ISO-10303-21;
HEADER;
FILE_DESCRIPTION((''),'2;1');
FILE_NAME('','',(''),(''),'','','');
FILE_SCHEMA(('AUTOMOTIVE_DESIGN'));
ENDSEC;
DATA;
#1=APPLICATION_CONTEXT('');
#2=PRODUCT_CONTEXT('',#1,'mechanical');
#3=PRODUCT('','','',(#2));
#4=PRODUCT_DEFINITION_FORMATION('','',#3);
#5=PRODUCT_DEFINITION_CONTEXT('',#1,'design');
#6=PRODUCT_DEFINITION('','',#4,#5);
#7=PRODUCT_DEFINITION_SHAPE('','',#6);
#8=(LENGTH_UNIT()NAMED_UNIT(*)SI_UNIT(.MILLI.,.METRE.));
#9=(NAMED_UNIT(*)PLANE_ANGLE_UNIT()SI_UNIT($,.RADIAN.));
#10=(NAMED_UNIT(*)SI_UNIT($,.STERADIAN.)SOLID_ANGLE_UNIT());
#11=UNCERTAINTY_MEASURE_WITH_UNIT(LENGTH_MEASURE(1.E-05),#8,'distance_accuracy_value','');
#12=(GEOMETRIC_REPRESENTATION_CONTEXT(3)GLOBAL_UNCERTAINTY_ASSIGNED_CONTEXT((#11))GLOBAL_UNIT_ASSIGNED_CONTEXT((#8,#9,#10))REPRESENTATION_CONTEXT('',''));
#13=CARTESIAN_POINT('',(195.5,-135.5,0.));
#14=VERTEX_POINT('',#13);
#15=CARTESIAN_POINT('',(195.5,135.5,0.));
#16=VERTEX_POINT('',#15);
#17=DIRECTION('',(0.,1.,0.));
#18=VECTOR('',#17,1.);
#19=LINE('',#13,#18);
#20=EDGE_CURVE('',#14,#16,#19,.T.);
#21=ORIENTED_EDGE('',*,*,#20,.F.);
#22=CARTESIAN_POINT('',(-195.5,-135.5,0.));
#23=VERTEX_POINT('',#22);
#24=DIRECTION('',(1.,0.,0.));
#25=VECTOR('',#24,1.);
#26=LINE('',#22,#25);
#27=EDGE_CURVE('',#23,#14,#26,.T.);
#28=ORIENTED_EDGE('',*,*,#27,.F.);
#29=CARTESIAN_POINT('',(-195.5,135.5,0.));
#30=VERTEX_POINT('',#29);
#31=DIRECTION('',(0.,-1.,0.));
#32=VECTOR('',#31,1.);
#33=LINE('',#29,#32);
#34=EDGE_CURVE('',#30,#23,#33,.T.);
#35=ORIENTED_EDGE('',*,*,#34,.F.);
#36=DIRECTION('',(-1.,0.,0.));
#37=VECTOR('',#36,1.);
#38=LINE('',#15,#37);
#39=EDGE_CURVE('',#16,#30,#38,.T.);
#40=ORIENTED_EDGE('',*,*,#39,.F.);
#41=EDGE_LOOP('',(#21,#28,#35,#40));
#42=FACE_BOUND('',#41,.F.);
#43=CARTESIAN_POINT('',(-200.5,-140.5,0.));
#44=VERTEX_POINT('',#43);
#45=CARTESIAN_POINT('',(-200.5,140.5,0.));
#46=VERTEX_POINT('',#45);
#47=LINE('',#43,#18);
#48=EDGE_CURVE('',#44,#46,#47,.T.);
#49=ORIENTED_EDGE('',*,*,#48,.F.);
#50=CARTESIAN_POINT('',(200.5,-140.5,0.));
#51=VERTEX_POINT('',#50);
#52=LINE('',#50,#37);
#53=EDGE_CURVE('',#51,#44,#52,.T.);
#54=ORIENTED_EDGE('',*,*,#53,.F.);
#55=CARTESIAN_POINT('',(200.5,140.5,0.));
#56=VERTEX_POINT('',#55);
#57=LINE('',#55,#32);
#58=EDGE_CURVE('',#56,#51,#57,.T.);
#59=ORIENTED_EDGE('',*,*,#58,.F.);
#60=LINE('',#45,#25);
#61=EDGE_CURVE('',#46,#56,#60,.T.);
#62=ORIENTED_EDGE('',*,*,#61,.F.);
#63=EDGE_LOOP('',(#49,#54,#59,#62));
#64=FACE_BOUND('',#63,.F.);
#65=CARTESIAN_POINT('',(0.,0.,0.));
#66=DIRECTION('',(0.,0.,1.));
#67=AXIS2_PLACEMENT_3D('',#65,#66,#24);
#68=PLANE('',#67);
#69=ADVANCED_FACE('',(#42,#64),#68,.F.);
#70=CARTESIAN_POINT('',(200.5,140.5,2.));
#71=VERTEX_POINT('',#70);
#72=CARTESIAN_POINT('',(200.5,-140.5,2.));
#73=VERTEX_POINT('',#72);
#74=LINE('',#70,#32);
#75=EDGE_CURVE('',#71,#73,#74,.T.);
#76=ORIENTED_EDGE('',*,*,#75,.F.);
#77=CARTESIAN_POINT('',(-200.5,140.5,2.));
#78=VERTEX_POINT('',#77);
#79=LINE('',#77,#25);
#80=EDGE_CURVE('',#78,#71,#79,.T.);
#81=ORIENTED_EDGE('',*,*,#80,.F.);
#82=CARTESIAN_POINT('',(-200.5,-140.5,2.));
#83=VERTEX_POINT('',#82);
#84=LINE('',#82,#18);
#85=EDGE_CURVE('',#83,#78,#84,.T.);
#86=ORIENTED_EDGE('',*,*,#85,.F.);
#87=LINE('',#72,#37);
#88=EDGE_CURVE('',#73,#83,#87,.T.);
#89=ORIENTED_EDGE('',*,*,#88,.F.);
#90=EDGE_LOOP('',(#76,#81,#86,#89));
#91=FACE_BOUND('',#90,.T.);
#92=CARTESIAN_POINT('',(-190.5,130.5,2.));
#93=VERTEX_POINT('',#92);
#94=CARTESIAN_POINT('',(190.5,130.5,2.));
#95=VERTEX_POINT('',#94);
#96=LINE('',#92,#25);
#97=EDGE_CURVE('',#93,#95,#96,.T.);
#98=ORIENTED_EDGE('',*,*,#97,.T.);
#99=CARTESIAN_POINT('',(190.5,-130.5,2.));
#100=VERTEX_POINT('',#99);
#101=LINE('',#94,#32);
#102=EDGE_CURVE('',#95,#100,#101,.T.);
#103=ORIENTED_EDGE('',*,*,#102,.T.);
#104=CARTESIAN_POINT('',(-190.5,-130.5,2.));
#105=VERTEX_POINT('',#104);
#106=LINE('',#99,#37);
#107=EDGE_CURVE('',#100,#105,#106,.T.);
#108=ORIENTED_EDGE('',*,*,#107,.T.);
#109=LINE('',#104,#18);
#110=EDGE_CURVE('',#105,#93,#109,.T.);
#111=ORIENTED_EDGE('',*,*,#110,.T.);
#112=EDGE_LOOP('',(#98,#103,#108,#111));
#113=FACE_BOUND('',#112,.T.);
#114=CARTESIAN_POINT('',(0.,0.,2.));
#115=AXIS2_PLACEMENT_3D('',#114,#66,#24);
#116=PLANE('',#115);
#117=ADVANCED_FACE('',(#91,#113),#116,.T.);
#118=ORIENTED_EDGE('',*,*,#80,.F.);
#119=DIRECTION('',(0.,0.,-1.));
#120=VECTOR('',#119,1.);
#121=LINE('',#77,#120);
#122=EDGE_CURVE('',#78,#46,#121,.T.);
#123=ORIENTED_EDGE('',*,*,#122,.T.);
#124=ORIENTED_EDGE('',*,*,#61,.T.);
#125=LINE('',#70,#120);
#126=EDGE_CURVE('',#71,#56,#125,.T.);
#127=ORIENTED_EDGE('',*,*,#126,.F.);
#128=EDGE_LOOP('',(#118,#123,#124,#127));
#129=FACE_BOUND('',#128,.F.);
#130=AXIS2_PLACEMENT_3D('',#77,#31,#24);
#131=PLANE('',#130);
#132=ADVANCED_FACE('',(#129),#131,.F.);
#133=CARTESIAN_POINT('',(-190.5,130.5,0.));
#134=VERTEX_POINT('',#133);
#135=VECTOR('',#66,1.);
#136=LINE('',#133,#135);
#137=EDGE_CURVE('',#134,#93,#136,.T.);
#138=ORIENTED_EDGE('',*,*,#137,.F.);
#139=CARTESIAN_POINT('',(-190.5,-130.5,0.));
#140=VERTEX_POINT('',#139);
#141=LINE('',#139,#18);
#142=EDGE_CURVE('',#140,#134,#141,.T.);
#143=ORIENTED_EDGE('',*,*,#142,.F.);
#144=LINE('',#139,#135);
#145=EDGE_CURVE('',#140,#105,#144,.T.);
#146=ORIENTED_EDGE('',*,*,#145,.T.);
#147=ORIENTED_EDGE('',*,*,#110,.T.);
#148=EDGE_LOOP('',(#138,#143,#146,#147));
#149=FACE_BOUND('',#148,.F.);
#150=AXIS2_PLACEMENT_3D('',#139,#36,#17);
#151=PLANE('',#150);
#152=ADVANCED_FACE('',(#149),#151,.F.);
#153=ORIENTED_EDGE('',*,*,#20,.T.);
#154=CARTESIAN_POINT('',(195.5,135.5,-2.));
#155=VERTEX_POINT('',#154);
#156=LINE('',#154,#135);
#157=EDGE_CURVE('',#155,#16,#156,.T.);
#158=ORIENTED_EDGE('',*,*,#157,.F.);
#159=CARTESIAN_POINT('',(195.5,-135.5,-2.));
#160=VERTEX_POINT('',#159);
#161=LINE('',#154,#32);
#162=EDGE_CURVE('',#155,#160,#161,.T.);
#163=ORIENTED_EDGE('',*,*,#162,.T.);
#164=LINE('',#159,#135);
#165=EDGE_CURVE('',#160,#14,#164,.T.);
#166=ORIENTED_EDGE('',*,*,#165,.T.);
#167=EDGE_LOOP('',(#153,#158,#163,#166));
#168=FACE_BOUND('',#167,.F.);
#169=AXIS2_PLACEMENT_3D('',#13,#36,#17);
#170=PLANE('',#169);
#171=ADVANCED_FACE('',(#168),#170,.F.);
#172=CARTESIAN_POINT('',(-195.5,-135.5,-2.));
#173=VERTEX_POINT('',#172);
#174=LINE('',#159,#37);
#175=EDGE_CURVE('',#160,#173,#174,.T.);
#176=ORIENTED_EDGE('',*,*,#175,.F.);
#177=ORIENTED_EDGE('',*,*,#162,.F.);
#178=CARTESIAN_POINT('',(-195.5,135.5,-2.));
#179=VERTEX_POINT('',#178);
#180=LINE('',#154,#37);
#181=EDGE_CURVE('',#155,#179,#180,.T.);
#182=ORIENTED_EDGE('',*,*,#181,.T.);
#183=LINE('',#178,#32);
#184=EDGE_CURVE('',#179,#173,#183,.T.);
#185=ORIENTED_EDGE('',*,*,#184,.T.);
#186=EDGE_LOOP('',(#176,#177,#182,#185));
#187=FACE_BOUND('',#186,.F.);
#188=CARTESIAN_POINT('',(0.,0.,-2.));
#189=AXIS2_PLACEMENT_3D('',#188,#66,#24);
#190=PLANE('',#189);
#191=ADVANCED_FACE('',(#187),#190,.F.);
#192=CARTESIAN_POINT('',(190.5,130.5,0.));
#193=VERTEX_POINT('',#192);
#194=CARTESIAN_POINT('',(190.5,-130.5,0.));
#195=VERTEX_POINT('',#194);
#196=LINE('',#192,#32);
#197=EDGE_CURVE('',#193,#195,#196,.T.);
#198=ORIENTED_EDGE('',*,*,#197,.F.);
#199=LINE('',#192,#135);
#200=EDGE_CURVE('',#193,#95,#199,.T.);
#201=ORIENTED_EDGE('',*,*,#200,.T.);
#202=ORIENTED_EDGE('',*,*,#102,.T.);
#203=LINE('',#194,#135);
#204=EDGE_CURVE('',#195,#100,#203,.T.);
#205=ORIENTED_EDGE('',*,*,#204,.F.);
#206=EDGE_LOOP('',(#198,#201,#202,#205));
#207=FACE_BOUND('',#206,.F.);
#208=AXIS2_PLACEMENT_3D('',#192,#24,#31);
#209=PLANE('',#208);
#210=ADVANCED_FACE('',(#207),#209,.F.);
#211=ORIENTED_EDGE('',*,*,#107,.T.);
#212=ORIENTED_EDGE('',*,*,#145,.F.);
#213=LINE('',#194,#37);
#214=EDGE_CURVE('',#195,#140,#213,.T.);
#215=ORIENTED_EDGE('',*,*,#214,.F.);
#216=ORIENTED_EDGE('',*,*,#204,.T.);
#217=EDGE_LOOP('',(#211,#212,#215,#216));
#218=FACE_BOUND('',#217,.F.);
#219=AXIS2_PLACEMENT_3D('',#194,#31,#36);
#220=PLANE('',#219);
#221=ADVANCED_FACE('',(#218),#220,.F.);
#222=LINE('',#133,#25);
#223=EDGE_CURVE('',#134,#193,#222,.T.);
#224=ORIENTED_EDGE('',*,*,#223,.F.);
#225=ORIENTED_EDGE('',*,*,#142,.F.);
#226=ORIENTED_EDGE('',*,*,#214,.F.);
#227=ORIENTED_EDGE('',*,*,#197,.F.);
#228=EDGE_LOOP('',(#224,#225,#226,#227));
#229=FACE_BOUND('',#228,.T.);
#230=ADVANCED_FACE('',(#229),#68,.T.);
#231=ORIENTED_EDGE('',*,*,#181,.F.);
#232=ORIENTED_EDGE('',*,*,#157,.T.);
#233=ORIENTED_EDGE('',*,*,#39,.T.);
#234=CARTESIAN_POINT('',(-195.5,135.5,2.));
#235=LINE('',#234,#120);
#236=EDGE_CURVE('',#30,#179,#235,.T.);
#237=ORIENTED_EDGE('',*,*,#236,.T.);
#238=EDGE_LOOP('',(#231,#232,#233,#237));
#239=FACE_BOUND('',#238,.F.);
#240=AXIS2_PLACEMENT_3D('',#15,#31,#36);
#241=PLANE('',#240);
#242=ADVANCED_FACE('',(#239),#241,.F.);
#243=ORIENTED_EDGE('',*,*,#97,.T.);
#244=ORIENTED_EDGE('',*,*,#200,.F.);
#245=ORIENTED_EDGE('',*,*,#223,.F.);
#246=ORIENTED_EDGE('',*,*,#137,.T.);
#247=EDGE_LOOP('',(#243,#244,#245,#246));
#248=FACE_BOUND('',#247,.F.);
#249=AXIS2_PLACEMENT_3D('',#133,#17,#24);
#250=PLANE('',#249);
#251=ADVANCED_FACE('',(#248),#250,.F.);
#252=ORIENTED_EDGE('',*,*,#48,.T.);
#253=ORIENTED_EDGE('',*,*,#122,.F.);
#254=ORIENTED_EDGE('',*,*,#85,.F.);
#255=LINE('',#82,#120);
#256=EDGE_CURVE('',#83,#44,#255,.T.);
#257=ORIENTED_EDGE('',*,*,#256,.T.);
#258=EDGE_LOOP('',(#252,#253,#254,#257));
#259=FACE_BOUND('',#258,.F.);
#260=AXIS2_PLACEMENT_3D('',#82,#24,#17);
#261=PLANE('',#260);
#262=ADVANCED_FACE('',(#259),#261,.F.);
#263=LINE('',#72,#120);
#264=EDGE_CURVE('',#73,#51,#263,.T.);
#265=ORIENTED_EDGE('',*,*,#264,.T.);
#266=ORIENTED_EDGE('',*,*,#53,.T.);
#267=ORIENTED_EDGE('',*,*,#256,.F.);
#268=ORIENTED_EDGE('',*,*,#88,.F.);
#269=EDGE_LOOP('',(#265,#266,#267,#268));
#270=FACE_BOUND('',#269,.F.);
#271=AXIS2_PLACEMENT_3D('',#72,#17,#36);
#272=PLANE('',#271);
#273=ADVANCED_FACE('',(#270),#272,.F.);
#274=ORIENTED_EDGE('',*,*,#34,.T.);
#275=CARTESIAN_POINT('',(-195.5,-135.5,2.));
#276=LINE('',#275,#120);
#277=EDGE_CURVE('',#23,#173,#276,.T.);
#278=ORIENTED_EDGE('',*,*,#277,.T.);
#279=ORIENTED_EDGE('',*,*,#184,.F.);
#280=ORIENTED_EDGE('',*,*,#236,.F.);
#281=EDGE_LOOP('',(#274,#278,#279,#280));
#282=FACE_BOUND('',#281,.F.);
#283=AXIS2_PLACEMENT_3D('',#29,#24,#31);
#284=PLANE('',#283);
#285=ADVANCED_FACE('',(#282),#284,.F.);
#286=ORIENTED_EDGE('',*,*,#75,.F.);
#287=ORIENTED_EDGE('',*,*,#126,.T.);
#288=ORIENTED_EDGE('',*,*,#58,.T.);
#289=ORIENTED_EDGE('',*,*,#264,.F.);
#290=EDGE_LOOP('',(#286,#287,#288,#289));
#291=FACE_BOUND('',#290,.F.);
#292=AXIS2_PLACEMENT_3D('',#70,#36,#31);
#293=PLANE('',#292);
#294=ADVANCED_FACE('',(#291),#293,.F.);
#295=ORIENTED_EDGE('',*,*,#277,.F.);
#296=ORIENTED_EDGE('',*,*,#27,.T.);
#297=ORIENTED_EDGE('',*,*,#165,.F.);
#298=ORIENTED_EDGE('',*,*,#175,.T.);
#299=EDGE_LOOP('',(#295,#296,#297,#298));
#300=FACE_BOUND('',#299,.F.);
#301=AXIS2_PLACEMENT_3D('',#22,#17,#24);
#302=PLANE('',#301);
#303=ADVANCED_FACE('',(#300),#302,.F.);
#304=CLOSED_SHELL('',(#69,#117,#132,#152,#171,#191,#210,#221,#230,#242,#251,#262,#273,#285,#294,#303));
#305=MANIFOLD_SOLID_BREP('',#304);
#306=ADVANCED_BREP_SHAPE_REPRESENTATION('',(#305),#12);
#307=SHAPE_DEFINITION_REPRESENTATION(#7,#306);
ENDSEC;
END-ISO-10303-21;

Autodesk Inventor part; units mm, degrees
ref_plane "YZ Plane" through (0, 0, 0) normal (1, 0, 0) x (0, 1, 0)
ref_plane "XZ Plane" through (0, 0, 0) normal (0, 1, 0) x (-1, 0, 0)
ref_plane "XY Plane" through (0, 0, 0) normal (0, 0, 1) x (1, 0, 0)
sketch "Skizze1" plane through (0, 0, 0) normal (0, 0, 1) x (1, 0, 0)
  line L0 (-273.7, 0) -> (273.7, 0) projected
  line L1 (0, -189.7) -> (0, 189.7) projected
  line L2 (-195.5, 135.5) -> (195.5, 135.5)
  line L3 (195.5, 135.5) -> (195.5, -135.5)
  line L4 (195.5, -135.5) -> (-195.5, -135.5)
  line L5 (-195.5, -135.5) -> (-195.5, 135.5)
  point P0 (0, 0)
  dimension "d0" = 391
  dimension "d1" = 271
extrude "Extrusion1" add sketch "Skizze1" against normal blind 2
sketch "Skizze2" plane through (0, 0, 0) normal (0, 0, 1) x (1, 0, 0)
  line L0 (-190.5, 130.5) -> (190.5, 130.5)
  line L1 (190.5, 130.5) -> (190.5, -130.5)
  line L2 (190.5, -130.5) -> (-190.5, -130.5)
  line L3 (-190.5, -130.5) -> (-190.5, 130.5)
  line L4 (195.5, -135.5) -> (195.5, 135.5) projected
  line L5 (195.5, 135.5) -> (-195.5, 135.5) projected
  line L6 (-195.5, 135.5) -> (-195.5, -135.5) projected
  line L7 (-195.5, -135.5) -> (195.5, -135.5) projected
  point P0 (0, 0)
  dimension "d12" = 5
  dimension "d13" = 5
  dimension "d14" = 5
  dimension "d15" = 5
extrude "Extrusion2" add sketch "Skizze2" along normal blind 2
sketch "Skizze3" plane through (0, 0, 2) normal (0, 0, 1) x (1, 0, 0)
  line L0 (-200.5, 140.5) -> (200.5, 140.5)
  line L1 (200.5, 140.5) -> (200.5, -140.5)
  line L2 (200.5, -140.5) -> (-200.5, -140.5)
  line L3 (-200.5, -140.5) -> (-200.5, 140.5)
  line L4 (195.5, 135.5) -> (-195.5, 135.5) projected
  line L5 (-195.5, -135.5) -> (195.5, -135.5) projected
  line L6 (195.5, -135.5) -> (195.5, 135.5) projected
  line L7 (-195.5, 135.5) -> (-195.5, -135.5) projected
  point P0 (0, 0)
  dimension "d18" = 5
  dimension "d19" = 5
  dimension "d20" = 5
  dimension "d21" = 5
extrude "Extrusion3" add sketch "Skizze3" against normal blind 2
properties part number "Deckel"
